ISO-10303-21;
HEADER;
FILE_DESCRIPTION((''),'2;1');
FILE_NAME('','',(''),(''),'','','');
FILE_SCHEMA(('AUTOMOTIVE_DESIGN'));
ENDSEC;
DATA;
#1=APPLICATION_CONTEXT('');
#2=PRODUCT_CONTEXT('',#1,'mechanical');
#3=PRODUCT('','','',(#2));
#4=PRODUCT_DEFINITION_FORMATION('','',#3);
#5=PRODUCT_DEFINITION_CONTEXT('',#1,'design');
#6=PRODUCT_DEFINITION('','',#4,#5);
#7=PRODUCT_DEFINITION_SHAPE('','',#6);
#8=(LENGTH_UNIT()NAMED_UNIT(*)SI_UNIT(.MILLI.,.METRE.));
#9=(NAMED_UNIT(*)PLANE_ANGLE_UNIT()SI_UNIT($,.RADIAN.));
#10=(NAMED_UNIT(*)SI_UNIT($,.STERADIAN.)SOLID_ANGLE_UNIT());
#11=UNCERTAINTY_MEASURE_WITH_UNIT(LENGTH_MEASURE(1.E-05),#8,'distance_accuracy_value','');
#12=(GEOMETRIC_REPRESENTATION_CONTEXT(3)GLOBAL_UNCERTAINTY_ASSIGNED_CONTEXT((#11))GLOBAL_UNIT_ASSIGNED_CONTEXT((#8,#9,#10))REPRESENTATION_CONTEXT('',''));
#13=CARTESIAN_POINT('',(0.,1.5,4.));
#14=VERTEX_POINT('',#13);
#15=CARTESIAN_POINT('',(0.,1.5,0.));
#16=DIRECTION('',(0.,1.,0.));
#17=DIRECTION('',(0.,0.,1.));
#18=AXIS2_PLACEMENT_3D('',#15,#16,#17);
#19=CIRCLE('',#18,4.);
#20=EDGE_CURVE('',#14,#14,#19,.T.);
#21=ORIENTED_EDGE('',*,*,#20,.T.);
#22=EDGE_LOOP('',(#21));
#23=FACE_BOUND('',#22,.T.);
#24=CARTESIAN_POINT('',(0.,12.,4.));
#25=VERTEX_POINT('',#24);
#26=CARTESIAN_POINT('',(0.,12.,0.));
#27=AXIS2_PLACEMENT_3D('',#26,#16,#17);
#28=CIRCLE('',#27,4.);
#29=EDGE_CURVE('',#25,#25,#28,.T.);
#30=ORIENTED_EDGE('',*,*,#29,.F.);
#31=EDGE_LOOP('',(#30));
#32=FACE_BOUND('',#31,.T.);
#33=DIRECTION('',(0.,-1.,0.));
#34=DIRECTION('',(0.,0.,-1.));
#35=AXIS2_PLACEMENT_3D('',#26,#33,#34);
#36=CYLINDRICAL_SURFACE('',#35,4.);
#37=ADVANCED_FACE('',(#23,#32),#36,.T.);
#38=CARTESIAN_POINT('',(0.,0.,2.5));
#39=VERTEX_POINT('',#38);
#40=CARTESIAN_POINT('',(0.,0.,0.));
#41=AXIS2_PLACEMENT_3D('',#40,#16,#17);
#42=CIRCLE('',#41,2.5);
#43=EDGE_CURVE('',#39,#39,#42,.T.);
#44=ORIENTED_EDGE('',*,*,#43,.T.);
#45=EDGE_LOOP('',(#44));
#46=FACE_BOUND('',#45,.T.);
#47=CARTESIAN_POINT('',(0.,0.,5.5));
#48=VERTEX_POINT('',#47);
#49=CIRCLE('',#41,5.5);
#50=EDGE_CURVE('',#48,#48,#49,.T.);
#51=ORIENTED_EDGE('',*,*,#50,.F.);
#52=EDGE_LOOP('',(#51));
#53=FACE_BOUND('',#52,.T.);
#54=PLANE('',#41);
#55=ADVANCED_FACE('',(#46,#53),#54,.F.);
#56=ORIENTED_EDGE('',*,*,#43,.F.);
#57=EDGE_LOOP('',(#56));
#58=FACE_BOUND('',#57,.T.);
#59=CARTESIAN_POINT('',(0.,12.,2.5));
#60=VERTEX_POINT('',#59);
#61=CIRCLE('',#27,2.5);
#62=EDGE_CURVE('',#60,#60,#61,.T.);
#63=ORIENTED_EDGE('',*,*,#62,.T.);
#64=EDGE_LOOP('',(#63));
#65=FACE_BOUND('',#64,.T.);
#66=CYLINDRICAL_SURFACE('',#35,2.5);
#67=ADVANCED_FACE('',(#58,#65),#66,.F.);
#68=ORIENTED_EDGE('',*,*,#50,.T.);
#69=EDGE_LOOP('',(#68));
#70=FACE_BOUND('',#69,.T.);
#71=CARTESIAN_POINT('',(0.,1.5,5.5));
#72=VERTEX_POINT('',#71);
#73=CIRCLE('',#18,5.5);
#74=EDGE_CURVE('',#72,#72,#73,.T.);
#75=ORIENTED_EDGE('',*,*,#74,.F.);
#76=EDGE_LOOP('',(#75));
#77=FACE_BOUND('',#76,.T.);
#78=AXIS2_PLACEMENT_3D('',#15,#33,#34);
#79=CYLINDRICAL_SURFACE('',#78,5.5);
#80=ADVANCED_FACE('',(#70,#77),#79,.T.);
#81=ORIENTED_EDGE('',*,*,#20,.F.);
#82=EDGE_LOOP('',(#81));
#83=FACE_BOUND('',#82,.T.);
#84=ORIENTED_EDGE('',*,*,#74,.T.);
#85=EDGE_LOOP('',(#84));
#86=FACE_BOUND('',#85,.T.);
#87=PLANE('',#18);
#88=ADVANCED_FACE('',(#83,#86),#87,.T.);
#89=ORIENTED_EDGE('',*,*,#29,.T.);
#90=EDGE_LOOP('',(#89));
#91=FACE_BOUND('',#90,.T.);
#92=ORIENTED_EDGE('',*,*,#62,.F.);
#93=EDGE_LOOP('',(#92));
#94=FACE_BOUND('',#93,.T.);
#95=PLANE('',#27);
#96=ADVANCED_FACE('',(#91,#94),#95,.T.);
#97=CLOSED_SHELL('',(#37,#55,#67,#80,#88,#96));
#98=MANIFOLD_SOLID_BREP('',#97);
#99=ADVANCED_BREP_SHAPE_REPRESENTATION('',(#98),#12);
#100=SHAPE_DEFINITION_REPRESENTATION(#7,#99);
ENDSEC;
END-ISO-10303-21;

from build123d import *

# Parameters (mm, degrees)
SKETCH2_R           = 4
SKETCH2_R_2         = 2.5
BOSS_EXTRUDE1_DEPTH = 12
SKETCH3_R           = 5.5
SKETCH3_R_2         = 4
BOSS_EXTRUDE2_DEPTH = 1.5


with BuildPart() as part:
    # Sketch2 → Boss-Extrude1 (new body)
    with BuildSketch(Plane(origin=(0, 0, 0), x_dir=(1, 0, 0), z_dir=(0, 1, 0))):
        Circle(SKETCH2_R)
        Circle(SKETCH2_R_2, mode=Mode.SUBTRACT)
    extrude(amount=BOSS_EXTRUDE1_DEPTH)

    # Sketch3 → Boss-Extrude2 (add)
    with BuildSketch(Plane(origin=(0, 0, 0), x_dir=(1, 0, 0), z_dir=(0, 1, 0))):
        Circle(SKETCH3_R)
        Circle(SKETCH3_R_2, mode=Mode.SUBTRACT)
    extrude(amount=BOSS_EXTRUDE2_DEPTH)


solid = part.part
